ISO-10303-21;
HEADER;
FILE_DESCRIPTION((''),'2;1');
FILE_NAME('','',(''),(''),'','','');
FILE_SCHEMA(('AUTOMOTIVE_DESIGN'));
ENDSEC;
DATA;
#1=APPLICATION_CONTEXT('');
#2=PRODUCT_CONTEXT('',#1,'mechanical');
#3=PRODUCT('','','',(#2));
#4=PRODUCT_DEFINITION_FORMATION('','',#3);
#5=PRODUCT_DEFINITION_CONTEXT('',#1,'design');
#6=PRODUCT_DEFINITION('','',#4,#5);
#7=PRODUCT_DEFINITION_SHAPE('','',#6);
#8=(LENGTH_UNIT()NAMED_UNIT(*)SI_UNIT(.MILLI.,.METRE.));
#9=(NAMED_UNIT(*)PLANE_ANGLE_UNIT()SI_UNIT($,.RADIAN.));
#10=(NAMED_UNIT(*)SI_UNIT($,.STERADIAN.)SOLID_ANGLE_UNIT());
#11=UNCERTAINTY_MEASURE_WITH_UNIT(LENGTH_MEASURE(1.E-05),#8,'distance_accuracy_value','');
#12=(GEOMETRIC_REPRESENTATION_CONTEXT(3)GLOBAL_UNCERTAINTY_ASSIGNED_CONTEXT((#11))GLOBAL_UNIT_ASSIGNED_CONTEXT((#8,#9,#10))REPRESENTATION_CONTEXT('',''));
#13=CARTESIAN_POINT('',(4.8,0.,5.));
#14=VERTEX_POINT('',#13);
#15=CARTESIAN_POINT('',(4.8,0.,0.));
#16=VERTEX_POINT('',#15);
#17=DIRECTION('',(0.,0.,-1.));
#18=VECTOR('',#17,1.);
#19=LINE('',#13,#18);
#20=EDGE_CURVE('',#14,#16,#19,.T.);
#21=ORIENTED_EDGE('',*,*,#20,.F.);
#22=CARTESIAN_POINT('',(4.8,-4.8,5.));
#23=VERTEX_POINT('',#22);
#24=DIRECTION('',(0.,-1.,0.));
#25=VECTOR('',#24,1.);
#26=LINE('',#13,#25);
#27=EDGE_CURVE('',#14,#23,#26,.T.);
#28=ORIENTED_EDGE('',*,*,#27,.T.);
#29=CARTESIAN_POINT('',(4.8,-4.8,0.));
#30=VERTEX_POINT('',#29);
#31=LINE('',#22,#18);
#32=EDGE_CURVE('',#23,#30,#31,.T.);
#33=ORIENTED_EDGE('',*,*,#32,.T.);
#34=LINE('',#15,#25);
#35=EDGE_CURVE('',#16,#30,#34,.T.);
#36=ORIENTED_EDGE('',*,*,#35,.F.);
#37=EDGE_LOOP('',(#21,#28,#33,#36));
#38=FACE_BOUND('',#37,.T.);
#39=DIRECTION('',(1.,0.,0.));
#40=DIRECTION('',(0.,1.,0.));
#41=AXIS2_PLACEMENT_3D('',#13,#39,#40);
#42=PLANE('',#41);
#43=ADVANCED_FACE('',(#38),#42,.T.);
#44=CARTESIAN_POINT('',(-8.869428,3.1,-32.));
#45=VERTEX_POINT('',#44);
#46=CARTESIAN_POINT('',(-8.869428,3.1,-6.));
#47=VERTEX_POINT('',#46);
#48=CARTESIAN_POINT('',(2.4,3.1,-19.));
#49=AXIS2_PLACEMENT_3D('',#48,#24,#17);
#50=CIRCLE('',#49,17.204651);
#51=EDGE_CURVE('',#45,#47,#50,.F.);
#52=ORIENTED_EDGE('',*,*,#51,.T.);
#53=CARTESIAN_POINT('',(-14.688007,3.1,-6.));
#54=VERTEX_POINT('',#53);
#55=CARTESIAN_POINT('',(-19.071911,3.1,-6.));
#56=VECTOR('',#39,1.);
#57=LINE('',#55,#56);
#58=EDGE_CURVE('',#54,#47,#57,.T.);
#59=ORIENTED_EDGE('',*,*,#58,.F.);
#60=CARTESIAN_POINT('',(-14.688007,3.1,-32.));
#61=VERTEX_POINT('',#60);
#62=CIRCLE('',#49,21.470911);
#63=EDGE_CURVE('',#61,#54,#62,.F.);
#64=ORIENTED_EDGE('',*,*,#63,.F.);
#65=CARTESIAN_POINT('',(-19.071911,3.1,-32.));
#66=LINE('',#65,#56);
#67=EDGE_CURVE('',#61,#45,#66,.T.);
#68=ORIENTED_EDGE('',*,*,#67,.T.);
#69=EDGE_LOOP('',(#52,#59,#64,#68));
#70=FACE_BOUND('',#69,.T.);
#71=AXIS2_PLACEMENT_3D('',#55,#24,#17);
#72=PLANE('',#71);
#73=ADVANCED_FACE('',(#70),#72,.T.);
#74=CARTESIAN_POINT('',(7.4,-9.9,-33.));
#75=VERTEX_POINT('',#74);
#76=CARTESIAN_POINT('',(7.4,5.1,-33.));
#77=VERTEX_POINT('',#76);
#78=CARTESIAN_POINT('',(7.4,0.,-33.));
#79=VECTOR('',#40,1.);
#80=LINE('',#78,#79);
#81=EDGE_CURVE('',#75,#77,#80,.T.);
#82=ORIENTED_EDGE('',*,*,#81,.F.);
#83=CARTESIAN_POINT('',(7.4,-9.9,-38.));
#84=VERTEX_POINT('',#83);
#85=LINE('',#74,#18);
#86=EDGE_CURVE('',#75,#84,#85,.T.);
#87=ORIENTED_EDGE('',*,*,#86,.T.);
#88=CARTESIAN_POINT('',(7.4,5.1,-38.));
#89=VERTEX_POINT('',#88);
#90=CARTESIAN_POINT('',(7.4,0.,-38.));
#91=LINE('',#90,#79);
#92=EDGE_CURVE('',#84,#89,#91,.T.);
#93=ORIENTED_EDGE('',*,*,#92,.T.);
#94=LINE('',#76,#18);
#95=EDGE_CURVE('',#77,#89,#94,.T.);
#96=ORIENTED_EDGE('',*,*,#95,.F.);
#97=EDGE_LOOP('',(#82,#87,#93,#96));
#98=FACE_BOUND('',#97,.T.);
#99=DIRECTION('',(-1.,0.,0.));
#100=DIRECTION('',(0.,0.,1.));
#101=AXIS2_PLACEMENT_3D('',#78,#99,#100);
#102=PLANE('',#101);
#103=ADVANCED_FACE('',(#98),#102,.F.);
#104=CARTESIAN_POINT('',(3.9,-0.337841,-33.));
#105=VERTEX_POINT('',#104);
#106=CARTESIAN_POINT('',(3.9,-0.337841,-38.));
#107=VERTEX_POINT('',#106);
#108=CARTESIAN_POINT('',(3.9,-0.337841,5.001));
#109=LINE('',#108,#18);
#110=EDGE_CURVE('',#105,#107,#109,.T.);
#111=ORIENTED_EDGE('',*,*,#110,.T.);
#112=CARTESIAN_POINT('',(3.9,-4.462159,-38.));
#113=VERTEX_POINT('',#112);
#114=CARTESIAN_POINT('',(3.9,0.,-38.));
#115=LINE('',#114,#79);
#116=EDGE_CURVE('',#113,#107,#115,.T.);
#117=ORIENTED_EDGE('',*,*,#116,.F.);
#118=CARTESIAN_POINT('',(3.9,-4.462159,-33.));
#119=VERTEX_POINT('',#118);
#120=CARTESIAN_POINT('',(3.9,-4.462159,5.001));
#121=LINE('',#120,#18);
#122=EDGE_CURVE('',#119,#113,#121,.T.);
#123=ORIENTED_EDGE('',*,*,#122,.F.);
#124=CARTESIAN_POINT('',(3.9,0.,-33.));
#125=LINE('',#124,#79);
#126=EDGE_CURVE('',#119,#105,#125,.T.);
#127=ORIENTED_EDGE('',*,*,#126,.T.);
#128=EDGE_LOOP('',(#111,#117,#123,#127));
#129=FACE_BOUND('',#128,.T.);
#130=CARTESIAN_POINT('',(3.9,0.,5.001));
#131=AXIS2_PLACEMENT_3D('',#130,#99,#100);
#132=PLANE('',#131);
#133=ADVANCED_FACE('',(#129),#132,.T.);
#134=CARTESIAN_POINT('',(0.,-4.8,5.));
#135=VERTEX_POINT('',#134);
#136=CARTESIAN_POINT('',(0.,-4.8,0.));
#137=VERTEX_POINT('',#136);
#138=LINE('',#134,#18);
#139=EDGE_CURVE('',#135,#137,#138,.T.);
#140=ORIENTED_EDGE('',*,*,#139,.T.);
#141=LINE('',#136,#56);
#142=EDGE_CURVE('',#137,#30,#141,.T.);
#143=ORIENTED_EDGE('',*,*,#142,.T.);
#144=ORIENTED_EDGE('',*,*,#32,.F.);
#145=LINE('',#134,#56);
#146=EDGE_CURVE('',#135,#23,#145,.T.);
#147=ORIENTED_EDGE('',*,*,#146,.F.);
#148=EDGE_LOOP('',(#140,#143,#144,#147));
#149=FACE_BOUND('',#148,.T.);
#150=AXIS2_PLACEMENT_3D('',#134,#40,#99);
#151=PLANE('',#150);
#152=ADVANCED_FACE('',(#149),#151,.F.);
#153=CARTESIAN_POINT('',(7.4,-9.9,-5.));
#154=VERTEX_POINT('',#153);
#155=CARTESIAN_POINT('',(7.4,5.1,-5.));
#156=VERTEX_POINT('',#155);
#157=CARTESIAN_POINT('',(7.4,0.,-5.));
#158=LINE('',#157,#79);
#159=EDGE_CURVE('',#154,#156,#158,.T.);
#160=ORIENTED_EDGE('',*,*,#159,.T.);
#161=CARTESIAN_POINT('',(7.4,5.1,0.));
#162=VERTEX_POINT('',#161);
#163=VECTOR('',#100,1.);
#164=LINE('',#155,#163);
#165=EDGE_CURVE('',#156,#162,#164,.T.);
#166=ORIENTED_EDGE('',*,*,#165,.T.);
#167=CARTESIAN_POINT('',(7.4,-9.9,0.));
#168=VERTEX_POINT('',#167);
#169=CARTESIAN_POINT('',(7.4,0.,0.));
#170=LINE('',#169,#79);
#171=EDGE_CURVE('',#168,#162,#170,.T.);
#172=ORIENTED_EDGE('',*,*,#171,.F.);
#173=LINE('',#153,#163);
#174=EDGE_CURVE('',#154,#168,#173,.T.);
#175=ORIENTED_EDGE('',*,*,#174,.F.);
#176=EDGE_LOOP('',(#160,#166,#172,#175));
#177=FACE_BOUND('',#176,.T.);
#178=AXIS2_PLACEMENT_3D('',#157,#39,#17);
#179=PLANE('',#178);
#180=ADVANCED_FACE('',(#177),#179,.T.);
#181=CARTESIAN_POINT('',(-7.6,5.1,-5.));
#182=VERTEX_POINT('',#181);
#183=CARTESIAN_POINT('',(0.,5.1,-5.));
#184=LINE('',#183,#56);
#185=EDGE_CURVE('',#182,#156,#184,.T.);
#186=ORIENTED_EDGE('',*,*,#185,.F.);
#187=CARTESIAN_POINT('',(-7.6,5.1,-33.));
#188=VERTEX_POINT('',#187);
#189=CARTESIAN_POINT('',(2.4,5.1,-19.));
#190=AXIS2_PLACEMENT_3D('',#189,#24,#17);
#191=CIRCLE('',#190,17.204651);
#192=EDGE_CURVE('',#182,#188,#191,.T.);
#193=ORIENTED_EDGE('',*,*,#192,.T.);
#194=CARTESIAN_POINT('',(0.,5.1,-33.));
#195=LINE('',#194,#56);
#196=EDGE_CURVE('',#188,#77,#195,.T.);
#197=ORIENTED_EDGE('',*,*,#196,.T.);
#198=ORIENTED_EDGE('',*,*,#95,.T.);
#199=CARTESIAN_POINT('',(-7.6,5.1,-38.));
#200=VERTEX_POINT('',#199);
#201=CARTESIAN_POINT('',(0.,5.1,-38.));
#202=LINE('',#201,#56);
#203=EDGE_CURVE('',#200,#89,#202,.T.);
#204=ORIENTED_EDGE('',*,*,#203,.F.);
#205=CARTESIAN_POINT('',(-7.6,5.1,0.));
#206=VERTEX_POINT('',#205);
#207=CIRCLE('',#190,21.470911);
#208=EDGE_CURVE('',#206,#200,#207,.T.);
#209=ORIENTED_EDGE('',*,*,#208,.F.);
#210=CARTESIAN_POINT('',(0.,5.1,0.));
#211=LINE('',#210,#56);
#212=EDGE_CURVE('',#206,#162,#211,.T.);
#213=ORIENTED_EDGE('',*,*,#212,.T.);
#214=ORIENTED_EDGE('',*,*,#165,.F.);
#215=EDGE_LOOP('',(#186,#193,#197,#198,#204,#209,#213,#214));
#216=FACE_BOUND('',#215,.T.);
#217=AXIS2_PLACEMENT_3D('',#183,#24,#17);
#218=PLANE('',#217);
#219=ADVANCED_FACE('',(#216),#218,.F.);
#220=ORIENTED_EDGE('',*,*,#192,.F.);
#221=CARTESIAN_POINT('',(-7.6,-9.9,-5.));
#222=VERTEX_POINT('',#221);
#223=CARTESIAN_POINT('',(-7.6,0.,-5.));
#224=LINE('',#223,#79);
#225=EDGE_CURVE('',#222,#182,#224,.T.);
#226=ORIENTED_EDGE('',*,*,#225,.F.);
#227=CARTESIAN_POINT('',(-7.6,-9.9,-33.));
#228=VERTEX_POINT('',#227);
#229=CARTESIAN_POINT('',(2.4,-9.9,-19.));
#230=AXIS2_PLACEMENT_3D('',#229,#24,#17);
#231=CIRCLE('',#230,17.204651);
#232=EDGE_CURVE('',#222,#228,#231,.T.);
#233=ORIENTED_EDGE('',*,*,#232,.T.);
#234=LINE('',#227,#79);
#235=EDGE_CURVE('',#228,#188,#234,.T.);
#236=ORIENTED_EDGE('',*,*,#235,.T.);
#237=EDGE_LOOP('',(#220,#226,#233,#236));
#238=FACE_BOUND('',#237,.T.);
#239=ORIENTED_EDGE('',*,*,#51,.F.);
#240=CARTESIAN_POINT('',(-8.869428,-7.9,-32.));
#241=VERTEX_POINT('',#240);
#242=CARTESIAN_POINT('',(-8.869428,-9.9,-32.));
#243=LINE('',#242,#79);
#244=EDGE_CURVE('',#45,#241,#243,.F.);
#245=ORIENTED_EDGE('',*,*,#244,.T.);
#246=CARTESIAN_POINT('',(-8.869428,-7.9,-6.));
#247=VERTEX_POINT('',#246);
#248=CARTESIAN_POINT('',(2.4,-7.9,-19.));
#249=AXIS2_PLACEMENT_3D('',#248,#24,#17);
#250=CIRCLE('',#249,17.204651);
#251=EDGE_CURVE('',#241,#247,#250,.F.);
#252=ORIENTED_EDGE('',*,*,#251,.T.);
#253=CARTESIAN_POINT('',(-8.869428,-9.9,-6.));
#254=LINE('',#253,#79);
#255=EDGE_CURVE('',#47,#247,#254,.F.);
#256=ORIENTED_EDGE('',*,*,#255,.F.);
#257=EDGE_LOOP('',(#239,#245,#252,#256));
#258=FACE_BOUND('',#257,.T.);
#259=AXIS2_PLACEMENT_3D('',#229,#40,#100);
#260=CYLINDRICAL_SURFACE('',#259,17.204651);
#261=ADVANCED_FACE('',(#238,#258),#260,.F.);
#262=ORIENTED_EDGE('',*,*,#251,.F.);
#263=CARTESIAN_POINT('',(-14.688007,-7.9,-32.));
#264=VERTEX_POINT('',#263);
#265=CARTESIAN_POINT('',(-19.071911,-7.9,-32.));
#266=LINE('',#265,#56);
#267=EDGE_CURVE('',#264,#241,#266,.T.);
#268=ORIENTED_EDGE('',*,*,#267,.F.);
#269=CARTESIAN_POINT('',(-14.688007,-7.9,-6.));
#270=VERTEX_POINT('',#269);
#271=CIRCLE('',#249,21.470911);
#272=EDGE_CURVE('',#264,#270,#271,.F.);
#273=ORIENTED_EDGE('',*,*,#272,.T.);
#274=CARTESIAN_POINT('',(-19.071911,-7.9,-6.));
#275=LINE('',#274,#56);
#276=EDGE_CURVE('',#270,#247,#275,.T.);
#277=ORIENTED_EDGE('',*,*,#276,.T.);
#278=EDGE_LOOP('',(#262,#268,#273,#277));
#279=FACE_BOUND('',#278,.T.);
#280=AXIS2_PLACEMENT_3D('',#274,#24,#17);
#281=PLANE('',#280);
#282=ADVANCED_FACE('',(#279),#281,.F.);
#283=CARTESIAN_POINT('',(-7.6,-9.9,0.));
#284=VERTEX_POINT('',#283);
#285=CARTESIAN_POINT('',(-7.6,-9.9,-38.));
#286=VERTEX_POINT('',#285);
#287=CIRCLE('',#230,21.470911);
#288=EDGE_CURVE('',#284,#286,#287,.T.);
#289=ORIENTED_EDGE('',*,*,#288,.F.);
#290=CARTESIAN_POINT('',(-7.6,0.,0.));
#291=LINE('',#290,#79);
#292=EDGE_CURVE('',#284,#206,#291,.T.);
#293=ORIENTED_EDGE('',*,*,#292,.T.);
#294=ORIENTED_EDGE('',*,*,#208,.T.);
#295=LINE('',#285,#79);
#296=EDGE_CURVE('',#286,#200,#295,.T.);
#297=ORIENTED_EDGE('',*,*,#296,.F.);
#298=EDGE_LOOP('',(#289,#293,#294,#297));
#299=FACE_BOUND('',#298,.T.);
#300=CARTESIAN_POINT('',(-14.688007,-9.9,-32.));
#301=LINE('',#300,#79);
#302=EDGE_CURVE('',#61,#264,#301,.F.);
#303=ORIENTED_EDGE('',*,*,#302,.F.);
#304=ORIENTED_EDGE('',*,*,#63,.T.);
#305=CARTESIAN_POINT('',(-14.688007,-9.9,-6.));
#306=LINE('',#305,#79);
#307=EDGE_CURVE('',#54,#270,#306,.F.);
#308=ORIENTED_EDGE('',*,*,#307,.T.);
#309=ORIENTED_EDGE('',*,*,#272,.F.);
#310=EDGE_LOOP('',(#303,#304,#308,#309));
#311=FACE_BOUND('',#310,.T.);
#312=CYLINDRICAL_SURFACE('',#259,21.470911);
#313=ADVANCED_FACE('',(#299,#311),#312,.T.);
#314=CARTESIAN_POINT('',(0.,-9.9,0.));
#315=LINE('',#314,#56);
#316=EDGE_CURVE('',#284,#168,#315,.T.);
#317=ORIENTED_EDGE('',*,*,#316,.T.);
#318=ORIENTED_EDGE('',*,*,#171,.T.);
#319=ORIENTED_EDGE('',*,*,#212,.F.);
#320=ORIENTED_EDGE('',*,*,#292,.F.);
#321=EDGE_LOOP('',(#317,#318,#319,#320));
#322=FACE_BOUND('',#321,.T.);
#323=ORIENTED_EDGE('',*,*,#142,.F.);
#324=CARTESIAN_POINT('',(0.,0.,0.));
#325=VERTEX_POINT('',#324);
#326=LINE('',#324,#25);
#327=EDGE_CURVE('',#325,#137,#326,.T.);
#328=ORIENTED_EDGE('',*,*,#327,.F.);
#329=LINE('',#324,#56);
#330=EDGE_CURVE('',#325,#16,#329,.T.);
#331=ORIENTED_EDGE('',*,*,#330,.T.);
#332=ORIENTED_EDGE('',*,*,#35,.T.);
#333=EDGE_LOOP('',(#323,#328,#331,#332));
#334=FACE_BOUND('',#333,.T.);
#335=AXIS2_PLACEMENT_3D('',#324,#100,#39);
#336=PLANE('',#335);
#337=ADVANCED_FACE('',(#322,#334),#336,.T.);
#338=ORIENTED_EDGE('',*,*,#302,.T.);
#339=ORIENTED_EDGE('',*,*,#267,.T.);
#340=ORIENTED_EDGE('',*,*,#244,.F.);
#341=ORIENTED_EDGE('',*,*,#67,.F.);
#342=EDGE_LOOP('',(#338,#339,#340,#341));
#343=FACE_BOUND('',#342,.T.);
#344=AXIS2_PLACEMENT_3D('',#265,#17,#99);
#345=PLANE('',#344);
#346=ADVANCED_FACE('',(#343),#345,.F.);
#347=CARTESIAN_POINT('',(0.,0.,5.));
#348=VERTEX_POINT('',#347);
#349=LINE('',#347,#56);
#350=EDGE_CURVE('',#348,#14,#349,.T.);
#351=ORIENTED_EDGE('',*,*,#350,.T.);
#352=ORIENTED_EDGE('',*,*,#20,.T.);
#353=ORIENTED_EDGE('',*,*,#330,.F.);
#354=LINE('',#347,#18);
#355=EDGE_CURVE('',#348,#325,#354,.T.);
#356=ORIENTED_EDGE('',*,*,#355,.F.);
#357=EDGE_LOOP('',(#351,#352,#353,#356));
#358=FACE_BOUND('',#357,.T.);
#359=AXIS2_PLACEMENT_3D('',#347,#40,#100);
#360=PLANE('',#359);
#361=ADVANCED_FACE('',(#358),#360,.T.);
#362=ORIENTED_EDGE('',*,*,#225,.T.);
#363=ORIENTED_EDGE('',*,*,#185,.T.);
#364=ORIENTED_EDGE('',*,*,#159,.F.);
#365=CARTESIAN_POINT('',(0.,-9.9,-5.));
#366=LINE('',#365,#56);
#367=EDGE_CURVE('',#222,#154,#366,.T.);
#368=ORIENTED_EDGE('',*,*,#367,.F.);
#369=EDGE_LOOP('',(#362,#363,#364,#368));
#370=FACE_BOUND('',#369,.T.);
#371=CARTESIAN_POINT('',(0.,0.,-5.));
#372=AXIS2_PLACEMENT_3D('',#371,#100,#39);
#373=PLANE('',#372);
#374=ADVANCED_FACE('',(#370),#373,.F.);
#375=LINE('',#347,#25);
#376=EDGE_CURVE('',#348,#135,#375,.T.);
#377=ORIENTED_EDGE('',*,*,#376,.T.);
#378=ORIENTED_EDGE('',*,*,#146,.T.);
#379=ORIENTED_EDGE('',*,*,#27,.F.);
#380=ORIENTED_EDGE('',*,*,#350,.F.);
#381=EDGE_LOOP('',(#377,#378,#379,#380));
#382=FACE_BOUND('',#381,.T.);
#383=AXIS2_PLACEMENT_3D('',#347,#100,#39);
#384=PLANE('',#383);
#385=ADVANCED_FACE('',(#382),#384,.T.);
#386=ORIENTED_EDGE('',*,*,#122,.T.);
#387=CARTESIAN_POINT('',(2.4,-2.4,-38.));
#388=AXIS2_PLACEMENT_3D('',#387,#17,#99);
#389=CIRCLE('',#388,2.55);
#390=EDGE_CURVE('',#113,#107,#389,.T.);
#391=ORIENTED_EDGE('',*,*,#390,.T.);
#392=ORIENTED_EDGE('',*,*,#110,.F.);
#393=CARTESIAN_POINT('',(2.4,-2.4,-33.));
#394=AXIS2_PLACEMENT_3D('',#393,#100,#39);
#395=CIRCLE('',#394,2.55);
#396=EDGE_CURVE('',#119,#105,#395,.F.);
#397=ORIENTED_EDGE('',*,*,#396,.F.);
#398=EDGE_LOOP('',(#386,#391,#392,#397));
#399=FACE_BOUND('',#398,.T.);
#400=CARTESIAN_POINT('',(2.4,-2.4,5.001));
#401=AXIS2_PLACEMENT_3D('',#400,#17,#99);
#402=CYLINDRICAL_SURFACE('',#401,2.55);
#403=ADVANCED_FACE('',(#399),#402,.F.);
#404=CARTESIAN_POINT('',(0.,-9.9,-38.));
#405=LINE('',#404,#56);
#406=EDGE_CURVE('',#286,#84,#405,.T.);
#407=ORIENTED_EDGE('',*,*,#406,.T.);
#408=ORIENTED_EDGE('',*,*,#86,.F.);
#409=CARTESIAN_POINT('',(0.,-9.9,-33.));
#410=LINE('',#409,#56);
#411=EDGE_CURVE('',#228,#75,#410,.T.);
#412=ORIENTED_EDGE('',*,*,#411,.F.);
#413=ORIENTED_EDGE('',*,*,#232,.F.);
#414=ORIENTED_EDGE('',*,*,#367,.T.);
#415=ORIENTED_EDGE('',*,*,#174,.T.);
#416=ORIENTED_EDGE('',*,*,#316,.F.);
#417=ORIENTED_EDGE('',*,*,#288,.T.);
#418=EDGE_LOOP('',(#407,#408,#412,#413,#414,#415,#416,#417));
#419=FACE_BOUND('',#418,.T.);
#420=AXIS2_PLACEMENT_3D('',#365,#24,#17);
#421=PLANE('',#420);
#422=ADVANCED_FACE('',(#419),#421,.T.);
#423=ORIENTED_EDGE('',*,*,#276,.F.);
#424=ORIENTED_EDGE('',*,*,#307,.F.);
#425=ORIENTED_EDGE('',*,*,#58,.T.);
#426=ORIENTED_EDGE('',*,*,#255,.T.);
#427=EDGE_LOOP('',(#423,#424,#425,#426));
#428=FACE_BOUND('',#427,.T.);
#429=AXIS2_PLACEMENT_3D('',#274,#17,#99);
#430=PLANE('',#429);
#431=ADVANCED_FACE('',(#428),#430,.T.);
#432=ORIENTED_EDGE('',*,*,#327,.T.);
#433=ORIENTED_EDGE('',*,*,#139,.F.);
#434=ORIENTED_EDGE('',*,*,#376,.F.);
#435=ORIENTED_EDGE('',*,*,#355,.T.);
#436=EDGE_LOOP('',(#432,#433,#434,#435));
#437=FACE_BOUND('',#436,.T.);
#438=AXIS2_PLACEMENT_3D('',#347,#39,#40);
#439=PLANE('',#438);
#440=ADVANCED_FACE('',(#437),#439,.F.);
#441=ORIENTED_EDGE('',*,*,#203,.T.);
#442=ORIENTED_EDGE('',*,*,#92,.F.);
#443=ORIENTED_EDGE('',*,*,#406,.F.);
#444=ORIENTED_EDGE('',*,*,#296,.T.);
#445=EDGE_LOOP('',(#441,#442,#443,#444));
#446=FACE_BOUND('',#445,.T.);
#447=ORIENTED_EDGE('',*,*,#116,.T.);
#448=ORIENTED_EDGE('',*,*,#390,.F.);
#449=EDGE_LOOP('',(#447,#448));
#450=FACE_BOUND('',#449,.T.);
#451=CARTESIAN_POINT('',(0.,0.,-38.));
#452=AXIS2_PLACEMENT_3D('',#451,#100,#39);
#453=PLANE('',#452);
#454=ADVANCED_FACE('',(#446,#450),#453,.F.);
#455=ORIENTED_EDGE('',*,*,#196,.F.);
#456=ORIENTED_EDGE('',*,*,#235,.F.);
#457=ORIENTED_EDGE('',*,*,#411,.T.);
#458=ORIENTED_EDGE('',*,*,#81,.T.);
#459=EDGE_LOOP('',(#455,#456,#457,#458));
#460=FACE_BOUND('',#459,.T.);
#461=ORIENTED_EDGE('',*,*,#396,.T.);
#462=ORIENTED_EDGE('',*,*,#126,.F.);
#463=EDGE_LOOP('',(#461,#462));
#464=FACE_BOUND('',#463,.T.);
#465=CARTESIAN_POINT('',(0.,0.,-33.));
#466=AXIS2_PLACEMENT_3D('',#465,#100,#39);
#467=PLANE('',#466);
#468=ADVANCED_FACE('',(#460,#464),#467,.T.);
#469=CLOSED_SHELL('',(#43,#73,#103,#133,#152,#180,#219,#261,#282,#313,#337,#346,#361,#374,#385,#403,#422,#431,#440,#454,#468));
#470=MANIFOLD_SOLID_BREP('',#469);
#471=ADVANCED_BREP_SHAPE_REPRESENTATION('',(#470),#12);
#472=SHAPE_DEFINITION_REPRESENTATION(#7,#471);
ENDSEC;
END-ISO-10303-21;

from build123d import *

# Parameters (mm, degrees)
SKIZZE7_W                            = 4.8
SKIZZE7_H                            = 4.8
AUFSATZ_LINEAR_AUSTRAGEN3_DEPTH      = 5
SKIZZE7_3_W                          = 15
SKIZZE7_3_H                          = 15
SKIZZE7_3_W_2                        = 4.8
SKIZZE7_3_H_2                        = 4.8
AUFSATZ_LINEAR_AUSTRAGEN4_DEPTH      = 5
AUFSATZ_LINEAR_START                 = -38
SKIZZE7_4_W                          = 15
SKIZZE7_4_H                          = 15
AUFSATZ_LINEAR_AUSTRAGEN5_DEPTH      = 5
AUFSATZ_LINEAR_AUSTRAGEN6_DEPTH      = 15
SCHNITT_LINEAR_AUSTRAGEN6_REACH      = 50.07
SCHNITT_LINEAR_AUSTRAGEN7_REACH      = 49.357
SCHNITT_LINEAR_AUSTRAGEN7_END_RADIUS = 21.470910554
SKIZZE12_W                           = 26
SKIZZE12_H                           = 11


with BuildPart() as part:
    # Skizze7 (on Front Plane) → Aufsatz-Linear austragen3 (new body)
    with BuildSketch(Plane.XY):
        with Locations((2.4, -2.4)):
            Rectangle(SKIZZE7_W, SKIZZE7_H)
    extrude(amount=AUFSATZ_LINEAR_AUSTRAGEN3_DEPTH)

    # Skizze7<3> (on Front Plane) → Aufsatz-Linear austragen4 (add)
    with BuildSketch(Plane.XY):
        with Locations((-0.1, -2.4)):
            Rectangle(SKIZZE7_3_W, SKIZZE7_3_H)
        with Locations((2.4, -2.4)):
            Rectangle(SKIZZE7_3_W_2, SKIZZE7_3_H_2, mode=Mode.SUBTRACT)
        with Locations((2.4, -2.4)):
            Rectangle(SKIZZE7_3_W_2, SKIZZE7_3_H_2)
    extrude(amount=-AUFSATZ_LINEAR_AUSTRAGEN4_DEPTH)



with BuildPart() as body_2:
    # Skizze7<4> → Aufsatz-Linear austragen5 (new body)
    with BuildSketch(Plane.XY.offset(AUFSATZ_LINEAR_START)):
        with Locations((-0.1, -2.4)):
            Rectangle(SKIZZE7_4_W, SKIZZE7_4_H)
    extrude(amount=AUFSATZ_LINEAR_AUSTRAGEN5_DEPTH)


with BuildPart() as part_1:
    add(part.part)

    add(body_2.part)  # Aufsatz-Linear austragen6 merges body 2
    # Skizze9 → Aufsatz-Linear austragen6 (add)
    with BuildSketch(Plane(origin=(0, 5.1, 0), x_dir=(1, 0, 0), z_dir=(0, 1, 0))):
        with BuildLine():
            Line((-7.6, 0), (-7.6, 5))
            ThreePointArc((-7.6, 5), (-14.804650534, 19), (-7.6, 33))
            Line((-7.6, 33), (-7.6, 38))
            ThreePointArc((-7.6, 38), (-19.070910554, 19), (-7.6, 0))
        make_face()
    extrude(amount=-AUFSATZ_LINEAR_AUSTRAGEN6_DEPTH)

    # Skizze11 → Schnitt-Linear austragen6 (cut, up to next)
    with BuildSketch(Plane(origin=(0, 0, -38), x_dir=(-1, 0, 0), z_dir=(0, 0, -1)), mode=Mode.PRIVATE) as schnitt_linear_austragen6_sk1:
        with BuildLine():
            Line((-3.9, -0.337840937), (-3.9, -4.462159063))
            ThreePointArc((-3.9, -4.462159063), (-1.242956353, -4.672388611), (0.15, -2.4))
            ThreePointArc((0.15, -2.4), (-1.242956353, -0.127611389), (-3.9, -0.337840937))
        make_face()
    schnitt_linear_austragen6_tool1 = extrude(schnitt_linear_austragen6_sk1.sketch, amount=-SCHNITT_LINEAR_AUSTRAGEN6_REACH, mode=Mode.PRIVATE) & part_1.part
    add(schnitt_linear_austragen6_tool1.solids().sort_by_distance((2.063945, -2.4, -38))[0], mode=Mode.SUBTRACT)

    # Schnitt-Linear austragen7: up to this cylinder (the profile starts inside it)
    schnitt_linear_austragen7_end = Plane(origin=(2.4, -2.4, -19), z_dir=(0, 1, 0)) * Cylinder(SCHNITT_LINEAR_AUSTRAGEN7_END_RADIUS, 142.655821107, mode=Mode.PRIVATE)
    # Skizze12 → Schnitt-Linear austragen7 (cut, up to the surface)
    with BuildSketch(Plane(origin=(7.4, 0, 0), x_dir=(0, 0, -1), z_dir=(1, 0, 0)), mode=Mode.PRIVATE) as schnitt_linear_austragen7_sk1:
        with Locations((19, -2.4)):
            Rectangle(SKIZZE12_W, SKIZZE12_H)
    schnitt_linear_austragen7_tool1 = extrude(schnitt_linear_austragen7_sk1.sketch, amount=-SCHNITT_LINEAR_AUSTRAGEN7_REACH, mode=Mode.PRIVATE) & schnitt_linear_austragen7_end
    add(schnitt_linear_austragen7_tool1.solids().sort_by_distance((7.4, -2.4, -19))[0], mode=Mode.SUBTRACT)


solid = part_1.part
